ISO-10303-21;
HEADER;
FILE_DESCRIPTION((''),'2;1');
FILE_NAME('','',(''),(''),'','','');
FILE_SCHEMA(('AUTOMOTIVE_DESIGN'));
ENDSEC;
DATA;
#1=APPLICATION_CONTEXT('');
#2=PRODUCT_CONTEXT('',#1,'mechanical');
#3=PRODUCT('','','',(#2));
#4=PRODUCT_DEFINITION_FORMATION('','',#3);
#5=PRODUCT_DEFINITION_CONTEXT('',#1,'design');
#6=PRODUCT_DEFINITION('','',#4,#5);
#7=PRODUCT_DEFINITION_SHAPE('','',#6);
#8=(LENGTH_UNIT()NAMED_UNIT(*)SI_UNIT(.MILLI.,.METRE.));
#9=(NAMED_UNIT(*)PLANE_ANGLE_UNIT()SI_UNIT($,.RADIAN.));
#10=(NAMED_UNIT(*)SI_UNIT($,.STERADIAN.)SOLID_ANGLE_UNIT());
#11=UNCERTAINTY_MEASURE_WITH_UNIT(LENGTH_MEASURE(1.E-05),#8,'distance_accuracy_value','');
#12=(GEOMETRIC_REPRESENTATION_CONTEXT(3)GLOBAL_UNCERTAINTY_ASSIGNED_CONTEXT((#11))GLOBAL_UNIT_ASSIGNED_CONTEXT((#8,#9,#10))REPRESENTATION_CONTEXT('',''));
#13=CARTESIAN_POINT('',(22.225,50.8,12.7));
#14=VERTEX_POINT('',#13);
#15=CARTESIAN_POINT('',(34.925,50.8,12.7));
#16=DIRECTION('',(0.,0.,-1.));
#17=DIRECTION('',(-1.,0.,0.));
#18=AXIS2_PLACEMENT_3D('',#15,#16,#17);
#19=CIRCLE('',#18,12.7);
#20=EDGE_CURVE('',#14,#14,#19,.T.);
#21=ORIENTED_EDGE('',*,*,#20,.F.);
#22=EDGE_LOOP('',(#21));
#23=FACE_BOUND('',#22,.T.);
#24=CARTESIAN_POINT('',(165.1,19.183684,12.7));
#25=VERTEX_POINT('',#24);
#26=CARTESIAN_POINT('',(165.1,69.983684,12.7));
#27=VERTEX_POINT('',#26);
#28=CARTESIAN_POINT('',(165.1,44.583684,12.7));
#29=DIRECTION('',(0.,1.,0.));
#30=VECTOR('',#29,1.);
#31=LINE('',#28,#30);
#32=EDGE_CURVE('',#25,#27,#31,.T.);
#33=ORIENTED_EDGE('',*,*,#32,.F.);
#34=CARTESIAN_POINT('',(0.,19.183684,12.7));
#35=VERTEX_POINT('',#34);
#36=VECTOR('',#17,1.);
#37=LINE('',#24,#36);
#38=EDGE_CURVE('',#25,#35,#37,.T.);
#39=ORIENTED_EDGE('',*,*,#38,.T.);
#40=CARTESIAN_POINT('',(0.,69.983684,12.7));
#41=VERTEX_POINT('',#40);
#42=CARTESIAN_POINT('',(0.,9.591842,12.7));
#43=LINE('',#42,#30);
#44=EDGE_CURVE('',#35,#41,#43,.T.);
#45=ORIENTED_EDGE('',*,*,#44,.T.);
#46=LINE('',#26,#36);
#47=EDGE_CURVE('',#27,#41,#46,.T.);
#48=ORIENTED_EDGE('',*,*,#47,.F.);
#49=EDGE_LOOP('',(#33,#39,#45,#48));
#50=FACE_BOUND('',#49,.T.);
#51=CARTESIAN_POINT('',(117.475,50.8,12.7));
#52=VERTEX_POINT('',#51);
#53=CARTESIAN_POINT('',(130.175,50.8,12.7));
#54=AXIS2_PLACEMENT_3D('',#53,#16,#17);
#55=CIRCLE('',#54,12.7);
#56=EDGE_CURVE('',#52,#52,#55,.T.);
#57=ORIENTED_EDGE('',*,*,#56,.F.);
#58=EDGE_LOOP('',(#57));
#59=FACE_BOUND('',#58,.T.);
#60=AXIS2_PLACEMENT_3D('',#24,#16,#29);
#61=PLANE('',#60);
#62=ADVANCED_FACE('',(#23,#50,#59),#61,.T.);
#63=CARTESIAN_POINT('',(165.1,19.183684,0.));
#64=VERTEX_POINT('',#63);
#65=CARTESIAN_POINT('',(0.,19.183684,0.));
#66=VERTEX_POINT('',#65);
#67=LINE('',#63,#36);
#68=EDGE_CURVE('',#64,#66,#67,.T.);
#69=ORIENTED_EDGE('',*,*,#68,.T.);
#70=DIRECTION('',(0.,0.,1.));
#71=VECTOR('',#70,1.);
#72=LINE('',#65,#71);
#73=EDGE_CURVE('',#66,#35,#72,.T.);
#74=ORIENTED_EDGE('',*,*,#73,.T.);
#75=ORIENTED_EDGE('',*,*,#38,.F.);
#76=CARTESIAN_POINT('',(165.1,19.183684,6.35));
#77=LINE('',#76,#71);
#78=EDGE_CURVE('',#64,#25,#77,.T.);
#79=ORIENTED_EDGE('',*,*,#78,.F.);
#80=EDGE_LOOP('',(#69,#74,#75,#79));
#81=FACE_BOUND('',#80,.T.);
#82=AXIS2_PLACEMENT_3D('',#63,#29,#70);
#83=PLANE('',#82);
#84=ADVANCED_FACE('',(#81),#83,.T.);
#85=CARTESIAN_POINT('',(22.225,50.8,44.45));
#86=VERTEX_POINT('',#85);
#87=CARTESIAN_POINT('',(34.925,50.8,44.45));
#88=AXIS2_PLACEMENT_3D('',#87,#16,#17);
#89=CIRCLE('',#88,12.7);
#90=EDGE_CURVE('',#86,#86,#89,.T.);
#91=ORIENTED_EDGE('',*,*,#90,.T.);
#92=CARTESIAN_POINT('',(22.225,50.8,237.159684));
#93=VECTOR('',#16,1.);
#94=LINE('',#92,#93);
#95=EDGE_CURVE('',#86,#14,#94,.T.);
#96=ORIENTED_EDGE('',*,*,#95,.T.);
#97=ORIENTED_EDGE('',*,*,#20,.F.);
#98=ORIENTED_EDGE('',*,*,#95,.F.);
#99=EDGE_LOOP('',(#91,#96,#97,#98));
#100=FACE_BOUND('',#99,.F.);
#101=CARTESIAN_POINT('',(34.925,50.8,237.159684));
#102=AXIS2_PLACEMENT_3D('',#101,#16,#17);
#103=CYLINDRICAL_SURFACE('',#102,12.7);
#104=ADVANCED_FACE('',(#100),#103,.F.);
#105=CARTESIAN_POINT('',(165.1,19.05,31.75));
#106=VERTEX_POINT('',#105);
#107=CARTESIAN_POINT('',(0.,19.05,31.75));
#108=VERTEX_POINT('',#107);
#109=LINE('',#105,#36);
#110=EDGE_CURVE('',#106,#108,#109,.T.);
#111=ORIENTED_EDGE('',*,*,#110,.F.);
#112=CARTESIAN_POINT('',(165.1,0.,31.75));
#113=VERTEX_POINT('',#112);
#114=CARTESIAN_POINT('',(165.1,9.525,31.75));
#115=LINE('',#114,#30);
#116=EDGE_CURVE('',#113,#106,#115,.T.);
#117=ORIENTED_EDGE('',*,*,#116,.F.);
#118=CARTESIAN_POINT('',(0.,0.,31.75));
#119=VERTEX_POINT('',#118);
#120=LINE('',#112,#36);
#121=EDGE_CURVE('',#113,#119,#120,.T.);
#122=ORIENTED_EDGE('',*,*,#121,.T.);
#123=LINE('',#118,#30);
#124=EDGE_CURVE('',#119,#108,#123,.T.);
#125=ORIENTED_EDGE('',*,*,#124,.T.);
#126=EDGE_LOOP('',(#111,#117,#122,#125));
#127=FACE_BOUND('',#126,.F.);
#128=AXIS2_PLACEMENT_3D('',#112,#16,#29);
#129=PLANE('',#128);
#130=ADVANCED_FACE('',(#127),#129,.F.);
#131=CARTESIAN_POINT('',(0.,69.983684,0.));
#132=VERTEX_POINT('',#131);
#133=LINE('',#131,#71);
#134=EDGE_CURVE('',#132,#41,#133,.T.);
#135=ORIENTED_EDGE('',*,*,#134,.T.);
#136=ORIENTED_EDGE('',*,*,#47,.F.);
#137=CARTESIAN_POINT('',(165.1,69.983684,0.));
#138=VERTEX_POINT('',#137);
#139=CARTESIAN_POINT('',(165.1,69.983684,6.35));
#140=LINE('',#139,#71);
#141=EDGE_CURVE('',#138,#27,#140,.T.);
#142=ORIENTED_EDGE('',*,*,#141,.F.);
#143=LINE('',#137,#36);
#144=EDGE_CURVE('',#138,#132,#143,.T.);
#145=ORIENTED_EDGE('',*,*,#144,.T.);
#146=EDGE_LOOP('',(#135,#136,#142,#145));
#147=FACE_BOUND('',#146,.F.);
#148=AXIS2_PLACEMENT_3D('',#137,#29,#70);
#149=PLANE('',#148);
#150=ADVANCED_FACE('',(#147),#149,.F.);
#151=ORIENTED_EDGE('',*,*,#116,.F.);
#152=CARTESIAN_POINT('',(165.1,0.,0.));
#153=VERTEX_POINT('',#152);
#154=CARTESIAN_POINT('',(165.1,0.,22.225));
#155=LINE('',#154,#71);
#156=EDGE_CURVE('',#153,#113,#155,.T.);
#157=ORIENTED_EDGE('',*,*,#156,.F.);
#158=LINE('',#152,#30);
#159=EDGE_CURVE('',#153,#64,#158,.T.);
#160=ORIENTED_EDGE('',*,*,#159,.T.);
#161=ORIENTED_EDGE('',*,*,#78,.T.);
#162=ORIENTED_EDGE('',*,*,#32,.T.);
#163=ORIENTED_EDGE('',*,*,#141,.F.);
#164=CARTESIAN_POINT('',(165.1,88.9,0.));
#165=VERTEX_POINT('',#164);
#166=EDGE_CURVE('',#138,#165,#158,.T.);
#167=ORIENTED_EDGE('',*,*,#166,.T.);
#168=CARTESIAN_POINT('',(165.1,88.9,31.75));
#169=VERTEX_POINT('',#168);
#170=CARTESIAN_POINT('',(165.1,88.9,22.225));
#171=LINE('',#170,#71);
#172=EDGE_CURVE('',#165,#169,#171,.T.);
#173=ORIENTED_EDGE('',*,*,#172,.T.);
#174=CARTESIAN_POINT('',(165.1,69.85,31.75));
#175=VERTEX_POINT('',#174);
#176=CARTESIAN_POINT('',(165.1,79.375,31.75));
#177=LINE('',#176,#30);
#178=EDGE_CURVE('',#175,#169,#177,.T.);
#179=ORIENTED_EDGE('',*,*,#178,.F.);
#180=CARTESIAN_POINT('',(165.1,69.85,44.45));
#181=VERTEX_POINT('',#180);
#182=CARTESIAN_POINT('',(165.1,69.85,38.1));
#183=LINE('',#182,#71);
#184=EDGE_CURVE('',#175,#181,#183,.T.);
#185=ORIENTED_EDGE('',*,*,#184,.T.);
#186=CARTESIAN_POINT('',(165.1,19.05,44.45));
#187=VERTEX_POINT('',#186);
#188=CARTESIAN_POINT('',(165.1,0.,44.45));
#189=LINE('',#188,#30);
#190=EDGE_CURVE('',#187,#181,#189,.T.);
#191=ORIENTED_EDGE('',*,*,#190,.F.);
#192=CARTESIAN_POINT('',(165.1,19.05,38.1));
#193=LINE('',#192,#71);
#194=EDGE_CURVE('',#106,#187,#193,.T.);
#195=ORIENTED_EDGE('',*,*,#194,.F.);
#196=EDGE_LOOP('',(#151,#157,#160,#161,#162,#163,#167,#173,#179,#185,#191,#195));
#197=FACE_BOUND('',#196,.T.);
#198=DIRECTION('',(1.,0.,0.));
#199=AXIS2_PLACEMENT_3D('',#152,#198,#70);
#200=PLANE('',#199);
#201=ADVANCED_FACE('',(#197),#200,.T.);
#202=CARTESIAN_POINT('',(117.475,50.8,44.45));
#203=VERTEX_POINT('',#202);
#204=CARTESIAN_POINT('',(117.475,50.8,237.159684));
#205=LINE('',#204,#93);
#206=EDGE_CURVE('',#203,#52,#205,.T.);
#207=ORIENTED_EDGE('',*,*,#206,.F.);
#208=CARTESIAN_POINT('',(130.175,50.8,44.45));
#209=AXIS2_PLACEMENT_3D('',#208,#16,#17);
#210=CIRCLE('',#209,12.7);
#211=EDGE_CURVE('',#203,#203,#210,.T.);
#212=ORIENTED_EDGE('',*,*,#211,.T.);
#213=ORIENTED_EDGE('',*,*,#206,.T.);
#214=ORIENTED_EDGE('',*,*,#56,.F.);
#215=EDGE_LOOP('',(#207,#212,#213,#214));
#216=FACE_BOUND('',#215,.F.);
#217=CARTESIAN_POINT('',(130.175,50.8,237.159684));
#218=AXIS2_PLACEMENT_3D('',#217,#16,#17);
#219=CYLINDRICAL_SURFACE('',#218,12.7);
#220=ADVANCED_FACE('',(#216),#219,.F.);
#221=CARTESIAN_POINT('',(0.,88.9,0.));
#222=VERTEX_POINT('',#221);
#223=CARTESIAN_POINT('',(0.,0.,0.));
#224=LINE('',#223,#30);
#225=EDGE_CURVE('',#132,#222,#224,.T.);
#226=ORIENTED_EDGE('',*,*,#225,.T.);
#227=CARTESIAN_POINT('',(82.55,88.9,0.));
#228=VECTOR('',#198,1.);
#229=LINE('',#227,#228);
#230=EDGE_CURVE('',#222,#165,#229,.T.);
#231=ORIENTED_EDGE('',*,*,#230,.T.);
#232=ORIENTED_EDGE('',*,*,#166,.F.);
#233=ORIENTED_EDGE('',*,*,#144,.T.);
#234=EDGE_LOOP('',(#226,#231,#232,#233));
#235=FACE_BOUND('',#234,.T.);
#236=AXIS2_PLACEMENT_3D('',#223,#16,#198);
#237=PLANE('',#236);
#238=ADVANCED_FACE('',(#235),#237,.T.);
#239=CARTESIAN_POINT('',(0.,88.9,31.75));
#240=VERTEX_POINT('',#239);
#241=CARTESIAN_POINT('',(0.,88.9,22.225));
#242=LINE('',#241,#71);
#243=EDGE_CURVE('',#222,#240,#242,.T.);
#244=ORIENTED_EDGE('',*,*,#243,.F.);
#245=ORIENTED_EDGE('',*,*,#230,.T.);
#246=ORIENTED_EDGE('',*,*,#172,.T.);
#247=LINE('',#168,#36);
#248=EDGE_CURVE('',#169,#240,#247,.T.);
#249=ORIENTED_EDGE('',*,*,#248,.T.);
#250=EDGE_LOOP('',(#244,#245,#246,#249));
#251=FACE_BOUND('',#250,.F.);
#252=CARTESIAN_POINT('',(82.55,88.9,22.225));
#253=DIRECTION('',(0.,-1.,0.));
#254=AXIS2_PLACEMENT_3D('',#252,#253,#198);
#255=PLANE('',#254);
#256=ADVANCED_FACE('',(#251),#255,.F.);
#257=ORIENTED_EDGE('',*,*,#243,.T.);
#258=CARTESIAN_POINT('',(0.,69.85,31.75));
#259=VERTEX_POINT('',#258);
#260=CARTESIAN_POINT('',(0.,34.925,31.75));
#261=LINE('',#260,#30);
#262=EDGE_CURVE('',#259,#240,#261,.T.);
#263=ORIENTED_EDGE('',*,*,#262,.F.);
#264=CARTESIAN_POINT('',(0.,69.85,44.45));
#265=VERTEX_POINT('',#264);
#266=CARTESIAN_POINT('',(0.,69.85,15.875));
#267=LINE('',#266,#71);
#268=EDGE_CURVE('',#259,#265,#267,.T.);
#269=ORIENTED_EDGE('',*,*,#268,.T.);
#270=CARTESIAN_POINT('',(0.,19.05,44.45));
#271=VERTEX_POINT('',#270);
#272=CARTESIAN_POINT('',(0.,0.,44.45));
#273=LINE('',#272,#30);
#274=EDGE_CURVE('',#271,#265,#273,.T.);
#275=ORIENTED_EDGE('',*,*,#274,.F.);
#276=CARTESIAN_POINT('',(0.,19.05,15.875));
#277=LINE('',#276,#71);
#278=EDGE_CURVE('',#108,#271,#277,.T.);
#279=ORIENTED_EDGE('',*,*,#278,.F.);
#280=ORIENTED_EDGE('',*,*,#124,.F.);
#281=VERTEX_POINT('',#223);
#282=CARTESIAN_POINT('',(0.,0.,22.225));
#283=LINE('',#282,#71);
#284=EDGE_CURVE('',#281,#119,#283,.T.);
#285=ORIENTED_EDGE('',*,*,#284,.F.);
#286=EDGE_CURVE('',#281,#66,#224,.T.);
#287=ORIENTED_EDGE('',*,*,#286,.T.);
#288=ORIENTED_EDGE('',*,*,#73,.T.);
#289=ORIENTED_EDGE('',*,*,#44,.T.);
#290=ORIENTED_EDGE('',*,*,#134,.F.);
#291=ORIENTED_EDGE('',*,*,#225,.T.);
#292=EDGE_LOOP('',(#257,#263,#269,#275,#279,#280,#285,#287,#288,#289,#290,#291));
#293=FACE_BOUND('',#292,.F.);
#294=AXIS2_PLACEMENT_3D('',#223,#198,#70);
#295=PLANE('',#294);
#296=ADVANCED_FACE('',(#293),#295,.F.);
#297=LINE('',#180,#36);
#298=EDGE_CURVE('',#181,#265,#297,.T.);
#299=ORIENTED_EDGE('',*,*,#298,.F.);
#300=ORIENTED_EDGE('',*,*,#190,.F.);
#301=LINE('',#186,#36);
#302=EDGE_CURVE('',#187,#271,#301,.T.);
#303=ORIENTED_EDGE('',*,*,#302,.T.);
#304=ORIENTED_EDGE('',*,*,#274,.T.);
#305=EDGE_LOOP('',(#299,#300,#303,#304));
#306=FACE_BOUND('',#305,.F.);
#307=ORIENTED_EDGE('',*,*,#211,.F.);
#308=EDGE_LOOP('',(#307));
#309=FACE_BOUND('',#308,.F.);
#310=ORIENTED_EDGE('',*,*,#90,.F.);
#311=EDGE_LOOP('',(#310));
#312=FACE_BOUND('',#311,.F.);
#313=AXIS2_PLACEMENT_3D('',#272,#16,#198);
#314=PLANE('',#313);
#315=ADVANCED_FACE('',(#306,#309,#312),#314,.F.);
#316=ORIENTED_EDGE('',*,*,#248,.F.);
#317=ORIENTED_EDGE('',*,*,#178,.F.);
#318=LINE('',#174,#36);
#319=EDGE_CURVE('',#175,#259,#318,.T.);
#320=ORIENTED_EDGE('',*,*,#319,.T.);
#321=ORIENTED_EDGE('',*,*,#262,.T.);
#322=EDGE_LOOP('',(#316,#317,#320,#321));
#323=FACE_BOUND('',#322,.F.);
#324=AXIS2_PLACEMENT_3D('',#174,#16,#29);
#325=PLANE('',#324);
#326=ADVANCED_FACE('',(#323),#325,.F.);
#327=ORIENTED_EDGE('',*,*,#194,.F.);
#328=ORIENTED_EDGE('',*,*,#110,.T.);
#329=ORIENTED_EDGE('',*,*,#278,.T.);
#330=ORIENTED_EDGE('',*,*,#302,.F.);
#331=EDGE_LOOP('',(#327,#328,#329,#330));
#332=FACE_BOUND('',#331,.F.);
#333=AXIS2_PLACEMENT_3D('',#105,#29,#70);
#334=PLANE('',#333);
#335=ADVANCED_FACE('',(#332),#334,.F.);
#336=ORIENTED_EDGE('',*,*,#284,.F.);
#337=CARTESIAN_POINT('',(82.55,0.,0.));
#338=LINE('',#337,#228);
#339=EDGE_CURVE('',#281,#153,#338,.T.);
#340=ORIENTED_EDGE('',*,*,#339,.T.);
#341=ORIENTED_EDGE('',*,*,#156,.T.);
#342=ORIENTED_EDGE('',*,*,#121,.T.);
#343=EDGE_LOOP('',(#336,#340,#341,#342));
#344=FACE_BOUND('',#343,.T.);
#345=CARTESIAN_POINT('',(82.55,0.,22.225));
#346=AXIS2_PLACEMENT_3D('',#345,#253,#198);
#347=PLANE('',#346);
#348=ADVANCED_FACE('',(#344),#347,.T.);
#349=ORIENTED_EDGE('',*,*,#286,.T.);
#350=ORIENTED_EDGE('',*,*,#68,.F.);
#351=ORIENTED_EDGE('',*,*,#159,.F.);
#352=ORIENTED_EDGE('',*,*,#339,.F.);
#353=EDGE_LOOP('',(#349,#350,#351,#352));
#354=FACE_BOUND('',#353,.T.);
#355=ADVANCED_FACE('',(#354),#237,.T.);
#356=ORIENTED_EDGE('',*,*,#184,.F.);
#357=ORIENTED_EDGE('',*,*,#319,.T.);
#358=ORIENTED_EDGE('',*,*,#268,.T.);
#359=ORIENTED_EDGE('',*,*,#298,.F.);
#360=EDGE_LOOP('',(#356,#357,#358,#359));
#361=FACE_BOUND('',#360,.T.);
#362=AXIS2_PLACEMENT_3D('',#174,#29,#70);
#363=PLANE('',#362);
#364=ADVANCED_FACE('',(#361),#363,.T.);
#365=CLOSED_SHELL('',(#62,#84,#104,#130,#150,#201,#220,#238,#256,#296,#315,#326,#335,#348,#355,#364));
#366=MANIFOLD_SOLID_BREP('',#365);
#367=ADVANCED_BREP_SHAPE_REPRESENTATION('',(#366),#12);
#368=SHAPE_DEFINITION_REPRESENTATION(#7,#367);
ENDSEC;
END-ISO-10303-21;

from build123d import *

# Parameters (mm, degrees)
F0_W     = 165.1
F0_H     = 44.45
F1_DEPTH = 88.9
F2_W     = 19.05
F2_H     = 12.7
F3_DEPTH = 254
F4_W     = 19.05
F4_H     = 12.7
F5_DEPTH = 254
F6_W     = 50.8
F6_H     = 12.7
F7_DEPTH = 254
F9_D     = 25.4
F11_D    = 25.4


with BuildPart() as f1:
    # F0 (on Front) → F1 (new body)
    with BuildSketch(Plane.XZ):
        with Locations((82.55, 22.225)):
            Rectangle(F0_W, F0_H)
    extrude(amount=-F1_DEPTH)

    # F2 (on face) → F3 (cut)
    with BuildSketch(Plane.YZ.offset(165.1)):
        with Locations((9.525, 38.1)):
            Rectangle(F2_W, F2_H)
    extrude(amount=-F3_DEPTH, mode=Mode.SUBTRACT)

    # F4 (on face) → F5 (cut)
    with BuildSketch(Plane.YZ.offset(165.1)):
        with Locations((79.375, 38.1)):
            Rectangle(F4_W, F4_H)
    extrude(amount=-F5_DEPTH, mode=Mode.SUBTRACT)

    # F6 (on face) → F7 (cut)
    with BuildSketch(Plane.YZ.offset(165.1)):
        with Locations((44.583684, 6.35)):
            Rectangle(F6_W, F6_H)
    extrude(amount=-F7_DEPTH, mode=Mode.SUBTRACT)

    # F9 (through all)
    with Locations(Plane.XY.offset(44.45)):
        with Locations((34.925, 50.8)):
            Hole(F9_D / 2)

    # F11 (through all)
    with Locations(Plane.XY.offset(44.45)):
        with Locations((130.175, 50.8)):
            Hole(F11_D / 2)


solid = f1.part
